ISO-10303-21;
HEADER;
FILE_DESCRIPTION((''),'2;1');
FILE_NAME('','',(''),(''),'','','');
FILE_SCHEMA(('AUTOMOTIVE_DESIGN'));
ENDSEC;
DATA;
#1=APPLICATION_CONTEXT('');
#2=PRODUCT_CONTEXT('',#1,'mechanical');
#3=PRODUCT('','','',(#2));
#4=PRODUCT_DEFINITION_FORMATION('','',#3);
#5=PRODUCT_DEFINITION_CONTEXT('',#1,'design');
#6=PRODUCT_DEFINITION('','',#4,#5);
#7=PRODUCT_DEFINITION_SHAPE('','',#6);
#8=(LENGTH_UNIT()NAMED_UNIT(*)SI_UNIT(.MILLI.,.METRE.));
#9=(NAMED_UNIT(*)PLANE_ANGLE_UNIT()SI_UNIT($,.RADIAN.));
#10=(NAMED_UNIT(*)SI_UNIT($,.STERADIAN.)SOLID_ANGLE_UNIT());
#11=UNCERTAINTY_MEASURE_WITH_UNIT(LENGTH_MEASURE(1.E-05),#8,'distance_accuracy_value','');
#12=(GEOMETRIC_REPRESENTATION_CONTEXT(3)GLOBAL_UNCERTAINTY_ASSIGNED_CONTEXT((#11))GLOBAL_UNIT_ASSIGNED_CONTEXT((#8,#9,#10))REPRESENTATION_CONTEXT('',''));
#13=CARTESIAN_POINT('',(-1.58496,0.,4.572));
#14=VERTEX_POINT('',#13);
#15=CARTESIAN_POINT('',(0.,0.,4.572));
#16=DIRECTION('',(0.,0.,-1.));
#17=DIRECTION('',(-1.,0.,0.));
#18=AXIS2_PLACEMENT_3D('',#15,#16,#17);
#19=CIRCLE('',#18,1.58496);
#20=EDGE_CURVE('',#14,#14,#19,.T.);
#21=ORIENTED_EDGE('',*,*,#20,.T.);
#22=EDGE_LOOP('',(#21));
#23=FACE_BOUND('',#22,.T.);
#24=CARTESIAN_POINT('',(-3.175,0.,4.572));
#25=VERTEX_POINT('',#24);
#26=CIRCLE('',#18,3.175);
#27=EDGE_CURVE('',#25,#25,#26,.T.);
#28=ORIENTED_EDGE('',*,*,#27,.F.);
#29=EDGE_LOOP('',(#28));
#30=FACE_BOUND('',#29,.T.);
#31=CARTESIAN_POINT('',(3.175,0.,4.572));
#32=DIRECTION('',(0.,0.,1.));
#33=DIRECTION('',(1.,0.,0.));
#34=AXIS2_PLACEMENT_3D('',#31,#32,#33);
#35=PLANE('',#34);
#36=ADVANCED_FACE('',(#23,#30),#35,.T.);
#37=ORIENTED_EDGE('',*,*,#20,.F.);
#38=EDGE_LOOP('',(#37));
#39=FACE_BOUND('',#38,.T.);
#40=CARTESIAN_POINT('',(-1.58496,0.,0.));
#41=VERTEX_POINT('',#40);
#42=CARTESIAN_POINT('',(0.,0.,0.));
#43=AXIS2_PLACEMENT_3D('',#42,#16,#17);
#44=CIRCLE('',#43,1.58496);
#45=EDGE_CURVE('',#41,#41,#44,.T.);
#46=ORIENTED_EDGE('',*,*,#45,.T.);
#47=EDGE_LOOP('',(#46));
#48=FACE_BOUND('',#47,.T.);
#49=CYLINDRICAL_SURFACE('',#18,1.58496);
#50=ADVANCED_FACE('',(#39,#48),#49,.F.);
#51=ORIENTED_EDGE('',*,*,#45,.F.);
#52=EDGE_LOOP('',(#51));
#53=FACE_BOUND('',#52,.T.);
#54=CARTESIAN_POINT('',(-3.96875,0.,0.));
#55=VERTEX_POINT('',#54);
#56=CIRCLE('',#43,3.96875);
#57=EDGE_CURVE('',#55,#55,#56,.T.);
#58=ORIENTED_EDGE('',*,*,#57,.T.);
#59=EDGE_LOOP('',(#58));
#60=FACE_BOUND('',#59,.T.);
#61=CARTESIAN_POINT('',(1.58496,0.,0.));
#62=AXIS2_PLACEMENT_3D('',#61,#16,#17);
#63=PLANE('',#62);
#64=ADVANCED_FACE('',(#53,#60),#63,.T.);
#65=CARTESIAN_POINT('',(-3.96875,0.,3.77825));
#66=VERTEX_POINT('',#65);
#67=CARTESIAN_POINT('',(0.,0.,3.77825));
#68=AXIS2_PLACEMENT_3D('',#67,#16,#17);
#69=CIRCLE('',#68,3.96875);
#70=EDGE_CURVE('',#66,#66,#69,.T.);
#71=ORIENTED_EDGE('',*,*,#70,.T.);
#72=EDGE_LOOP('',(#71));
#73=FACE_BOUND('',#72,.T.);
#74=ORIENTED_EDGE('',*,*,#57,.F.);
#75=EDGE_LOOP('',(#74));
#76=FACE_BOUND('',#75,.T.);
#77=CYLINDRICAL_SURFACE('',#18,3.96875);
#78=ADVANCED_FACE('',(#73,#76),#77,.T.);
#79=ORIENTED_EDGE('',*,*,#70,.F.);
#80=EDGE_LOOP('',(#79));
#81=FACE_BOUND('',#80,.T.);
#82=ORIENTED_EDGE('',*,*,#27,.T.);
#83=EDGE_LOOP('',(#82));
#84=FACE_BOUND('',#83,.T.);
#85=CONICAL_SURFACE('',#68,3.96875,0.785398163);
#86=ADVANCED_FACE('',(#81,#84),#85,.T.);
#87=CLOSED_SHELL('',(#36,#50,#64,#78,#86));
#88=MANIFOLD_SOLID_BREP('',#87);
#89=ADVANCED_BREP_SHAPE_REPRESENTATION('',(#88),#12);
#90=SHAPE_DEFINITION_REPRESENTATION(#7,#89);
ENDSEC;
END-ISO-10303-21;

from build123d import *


with BuildPart() as part:
    # Sketch1 → Revolve1 (revolve)
    with BuildSketch(Plane.XZ):
        Polygon((3.96875, 3.77825), (3.175, 4.572), (1.58496, 4.572), (1.58496, 0), (3.96875, 0), align=None)
    revolve(axis=Axis((0, 0, 4.572), (0, 0, -1)))


solid = part.part
